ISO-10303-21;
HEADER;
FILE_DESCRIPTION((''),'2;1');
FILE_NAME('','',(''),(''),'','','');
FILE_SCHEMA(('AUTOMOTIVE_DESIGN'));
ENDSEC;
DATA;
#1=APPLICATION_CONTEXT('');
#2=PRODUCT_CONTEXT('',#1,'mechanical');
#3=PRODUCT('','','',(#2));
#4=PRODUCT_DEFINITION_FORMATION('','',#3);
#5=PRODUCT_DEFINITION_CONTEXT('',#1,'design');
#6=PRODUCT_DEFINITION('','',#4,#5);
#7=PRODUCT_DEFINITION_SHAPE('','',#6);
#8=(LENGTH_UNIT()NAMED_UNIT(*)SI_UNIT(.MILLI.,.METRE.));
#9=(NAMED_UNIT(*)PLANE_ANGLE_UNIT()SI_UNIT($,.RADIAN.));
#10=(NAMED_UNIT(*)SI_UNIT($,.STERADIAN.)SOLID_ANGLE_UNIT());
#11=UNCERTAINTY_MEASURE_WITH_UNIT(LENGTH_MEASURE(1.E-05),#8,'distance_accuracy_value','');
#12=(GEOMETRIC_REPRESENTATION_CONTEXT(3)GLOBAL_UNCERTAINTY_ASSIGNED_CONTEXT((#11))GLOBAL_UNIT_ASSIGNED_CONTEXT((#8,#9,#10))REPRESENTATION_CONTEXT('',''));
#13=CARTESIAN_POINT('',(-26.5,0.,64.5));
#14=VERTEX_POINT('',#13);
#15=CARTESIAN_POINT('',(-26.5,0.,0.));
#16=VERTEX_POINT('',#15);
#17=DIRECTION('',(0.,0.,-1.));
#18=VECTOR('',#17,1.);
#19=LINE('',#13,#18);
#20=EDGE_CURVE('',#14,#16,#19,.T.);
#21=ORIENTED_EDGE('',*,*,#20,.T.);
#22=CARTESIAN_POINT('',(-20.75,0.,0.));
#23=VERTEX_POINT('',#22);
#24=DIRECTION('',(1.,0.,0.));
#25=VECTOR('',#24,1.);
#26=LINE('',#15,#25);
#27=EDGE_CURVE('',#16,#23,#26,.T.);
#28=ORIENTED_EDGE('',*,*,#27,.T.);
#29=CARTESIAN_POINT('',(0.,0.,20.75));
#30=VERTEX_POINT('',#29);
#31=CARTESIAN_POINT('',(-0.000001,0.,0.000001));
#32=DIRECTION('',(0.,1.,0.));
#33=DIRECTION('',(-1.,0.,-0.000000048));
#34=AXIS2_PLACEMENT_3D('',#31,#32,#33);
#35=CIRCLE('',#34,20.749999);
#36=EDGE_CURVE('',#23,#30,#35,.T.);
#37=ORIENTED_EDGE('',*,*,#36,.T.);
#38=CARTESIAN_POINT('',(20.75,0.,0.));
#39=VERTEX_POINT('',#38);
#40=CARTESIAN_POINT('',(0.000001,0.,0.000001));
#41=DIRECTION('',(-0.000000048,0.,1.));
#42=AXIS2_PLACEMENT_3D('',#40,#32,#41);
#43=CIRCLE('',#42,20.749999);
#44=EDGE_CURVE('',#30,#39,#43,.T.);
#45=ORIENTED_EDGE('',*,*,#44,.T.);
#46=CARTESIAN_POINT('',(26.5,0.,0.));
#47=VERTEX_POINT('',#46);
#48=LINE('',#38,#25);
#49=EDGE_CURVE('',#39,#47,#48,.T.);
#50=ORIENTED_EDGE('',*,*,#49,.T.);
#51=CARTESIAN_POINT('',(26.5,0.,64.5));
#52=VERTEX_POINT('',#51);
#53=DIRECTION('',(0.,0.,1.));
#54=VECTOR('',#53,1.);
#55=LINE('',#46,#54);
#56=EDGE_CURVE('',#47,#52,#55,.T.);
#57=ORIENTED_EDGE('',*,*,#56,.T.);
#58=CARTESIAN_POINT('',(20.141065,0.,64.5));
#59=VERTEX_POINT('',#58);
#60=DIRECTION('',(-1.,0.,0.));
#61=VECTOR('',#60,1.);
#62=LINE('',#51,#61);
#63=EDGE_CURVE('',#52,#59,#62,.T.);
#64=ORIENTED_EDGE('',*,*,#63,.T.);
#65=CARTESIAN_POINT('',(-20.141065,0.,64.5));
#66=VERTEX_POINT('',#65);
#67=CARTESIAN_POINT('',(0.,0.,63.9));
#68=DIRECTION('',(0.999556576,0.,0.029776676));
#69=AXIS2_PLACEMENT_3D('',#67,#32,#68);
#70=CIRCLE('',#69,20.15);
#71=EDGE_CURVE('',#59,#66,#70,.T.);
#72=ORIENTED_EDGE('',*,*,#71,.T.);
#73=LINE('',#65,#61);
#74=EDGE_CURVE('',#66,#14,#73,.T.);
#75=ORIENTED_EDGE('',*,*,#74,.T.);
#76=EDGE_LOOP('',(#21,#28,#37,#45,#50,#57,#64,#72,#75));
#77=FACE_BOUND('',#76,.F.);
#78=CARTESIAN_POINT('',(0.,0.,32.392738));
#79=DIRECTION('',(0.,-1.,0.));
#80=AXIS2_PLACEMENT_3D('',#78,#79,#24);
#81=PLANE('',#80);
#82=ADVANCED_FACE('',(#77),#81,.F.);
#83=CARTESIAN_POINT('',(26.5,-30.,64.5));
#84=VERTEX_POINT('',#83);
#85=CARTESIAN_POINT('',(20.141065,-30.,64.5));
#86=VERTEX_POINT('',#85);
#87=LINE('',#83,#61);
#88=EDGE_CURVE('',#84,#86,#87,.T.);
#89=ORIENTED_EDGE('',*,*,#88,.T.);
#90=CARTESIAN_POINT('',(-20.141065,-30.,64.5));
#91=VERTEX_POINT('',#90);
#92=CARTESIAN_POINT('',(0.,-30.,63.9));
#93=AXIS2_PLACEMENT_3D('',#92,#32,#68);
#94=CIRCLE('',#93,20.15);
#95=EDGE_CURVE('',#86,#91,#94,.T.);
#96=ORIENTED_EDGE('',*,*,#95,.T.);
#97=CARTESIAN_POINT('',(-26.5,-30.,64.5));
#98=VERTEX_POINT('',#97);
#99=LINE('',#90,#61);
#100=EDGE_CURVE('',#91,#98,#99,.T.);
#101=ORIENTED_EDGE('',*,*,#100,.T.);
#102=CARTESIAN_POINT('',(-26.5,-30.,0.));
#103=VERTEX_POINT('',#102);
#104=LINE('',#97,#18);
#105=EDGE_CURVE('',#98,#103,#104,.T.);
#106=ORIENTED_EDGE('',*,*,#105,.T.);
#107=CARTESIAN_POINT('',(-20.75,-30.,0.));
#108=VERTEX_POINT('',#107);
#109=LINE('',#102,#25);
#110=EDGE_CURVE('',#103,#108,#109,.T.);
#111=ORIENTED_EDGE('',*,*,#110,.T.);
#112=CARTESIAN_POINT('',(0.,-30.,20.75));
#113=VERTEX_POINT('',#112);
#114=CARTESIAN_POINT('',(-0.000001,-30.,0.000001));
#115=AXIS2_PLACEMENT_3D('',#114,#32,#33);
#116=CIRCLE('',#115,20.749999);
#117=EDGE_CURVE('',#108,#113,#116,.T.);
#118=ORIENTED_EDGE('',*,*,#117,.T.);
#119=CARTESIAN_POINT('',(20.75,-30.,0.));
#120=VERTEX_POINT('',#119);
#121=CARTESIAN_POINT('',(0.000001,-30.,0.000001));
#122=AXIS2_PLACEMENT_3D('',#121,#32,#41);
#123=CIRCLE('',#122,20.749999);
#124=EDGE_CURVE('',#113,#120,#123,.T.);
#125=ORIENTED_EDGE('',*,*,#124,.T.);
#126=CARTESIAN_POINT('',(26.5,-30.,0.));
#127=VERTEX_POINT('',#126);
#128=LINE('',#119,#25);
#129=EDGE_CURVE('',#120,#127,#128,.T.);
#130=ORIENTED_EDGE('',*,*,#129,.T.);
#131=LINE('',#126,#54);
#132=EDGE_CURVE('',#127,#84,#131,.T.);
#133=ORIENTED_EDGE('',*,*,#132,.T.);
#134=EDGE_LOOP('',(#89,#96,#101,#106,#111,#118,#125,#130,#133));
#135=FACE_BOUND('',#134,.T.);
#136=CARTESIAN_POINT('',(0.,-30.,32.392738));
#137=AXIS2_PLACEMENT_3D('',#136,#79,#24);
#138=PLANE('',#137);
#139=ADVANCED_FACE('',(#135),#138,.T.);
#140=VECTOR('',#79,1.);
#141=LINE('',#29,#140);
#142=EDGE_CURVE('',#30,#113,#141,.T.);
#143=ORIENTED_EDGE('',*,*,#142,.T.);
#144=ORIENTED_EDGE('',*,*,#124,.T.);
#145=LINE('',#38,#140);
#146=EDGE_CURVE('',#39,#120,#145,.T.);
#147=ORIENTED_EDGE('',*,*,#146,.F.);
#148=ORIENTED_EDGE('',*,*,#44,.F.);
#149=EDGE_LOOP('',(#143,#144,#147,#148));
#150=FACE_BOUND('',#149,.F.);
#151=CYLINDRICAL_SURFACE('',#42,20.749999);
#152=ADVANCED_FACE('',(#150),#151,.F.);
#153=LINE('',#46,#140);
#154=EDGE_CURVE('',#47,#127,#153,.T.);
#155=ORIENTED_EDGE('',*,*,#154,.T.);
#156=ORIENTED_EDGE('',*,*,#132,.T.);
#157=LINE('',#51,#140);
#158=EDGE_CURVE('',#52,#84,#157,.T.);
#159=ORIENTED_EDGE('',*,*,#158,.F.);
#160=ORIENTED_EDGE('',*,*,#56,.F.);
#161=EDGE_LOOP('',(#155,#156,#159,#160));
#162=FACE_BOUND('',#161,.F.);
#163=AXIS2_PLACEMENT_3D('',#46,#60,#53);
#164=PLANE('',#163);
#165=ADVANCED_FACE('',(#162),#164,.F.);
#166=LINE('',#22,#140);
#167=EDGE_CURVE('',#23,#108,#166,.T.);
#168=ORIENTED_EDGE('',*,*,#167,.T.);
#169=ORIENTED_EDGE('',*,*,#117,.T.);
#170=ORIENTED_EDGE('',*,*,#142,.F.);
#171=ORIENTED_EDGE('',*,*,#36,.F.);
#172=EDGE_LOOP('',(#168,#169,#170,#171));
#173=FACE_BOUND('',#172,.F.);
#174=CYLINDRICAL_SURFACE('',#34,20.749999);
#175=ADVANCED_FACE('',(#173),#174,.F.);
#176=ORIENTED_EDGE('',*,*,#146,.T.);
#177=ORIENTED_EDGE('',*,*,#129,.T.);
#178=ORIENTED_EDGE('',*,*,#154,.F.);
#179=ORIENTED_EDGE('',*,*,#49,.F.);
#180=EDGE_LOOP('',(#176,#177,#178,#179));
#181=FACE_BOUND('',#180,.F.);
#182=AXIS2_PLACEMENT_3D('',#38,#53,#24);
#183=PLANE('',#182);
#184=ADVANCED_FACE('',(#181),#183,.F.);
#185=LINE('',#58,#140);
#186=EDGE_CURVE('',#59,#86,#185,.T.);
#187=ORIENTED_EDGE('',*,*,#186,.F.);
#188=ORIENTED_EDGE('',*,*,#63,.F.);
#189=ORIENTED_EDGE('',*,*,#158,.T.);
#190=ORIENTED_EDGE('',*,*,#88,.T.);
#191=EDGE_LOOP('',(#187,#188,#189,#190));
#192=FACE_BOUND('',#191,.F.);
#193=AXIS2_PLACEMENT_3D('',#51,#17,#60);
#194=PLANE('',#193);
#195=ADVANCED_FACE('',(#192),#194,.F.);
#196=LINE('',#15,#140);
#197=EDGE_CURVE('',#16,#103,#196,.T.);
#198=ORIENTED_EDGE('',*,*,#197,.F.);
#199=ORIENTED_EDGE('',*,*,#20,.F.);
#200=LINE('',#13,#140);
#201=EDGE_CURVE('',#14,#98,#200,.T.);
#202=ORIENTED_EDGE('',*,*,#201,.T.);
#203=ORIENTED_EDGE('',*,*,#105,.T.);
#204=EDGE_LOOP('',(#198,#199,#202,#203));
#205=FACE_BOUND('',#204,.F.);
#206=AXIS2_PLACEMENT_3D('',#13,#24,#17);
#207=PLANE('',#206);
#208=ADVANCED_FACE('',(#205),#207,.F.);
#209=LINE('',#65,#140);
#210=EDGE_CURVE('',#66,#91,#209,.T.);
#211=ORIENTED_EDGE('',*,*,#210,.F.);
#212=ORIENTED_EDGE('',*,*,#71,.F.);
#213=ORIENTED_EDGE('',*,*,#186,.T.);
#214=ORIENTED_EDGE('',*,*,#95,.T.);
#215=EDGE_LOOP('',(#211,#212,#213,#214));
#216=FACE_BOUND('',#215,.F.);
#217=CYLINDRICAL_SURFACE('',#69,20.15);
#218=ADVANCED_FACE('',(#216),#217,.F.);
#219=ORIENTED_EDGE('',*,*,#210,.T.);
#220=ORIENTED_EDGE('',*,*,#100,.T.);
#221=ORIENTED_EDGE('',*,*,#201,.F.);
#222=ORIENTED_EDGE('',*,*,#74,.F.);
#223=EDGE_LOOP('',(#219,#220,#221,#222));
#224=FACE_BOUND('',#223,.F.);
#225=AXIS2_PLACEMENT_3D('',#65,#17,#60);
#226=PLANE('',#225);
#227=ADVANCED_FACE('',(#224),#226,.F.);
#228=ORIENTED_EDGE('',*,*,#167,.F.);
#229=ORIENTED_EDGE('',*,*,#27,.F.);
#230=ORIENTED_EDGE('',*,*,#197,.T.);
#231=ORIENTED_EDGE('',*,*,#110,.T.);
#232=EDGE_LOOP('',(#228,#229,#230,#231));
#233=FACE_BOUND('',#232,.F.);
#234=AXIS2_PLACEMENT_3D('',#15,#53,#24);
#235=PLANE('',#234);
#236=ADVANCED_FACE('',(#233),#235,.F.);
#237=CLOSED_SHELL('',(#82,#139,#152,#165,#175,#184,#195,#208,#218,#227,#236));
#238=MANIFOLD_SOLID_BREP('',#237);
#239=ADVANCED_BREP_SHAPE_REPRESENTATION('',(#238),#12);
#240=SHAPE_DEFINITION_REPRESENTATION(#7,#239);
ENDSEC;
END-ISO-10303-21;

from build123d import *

# Parameters (mm, degrees)
F1_DEPTH = 30


with BuildPart() as f1:
    # F0 (on Front) → F1 (new body)
    with BuildSketch(Plane.XZ):
        with BuildLine():
            Line((26.5, 64.5), (20.141065, 64.5))
            ThreePointArc((20.141065, 64.5), (0, 43.75), (-20.141065, 64.5))
            Line((-20.141065, 64.5), (-26.5, 64.5))
            Line((-26.5, 64.5), (-26.5, 0))
            Line((-26.5, 0), (-20.75, 0))
            ThreePointArc((-20.75, 0), (-14.672466, 14.672466), (0, 20.75))
            ThreePointArc((0, 20.75), (14.672466, 14.672466), (20.75, 0))
            Line((20.75, 0), (26.5, 0))
            Line((26.5, 0), (26.5, 64.5))
        make_face()
    extrude(amount=F1_DEPTH)


solid = f1.part
